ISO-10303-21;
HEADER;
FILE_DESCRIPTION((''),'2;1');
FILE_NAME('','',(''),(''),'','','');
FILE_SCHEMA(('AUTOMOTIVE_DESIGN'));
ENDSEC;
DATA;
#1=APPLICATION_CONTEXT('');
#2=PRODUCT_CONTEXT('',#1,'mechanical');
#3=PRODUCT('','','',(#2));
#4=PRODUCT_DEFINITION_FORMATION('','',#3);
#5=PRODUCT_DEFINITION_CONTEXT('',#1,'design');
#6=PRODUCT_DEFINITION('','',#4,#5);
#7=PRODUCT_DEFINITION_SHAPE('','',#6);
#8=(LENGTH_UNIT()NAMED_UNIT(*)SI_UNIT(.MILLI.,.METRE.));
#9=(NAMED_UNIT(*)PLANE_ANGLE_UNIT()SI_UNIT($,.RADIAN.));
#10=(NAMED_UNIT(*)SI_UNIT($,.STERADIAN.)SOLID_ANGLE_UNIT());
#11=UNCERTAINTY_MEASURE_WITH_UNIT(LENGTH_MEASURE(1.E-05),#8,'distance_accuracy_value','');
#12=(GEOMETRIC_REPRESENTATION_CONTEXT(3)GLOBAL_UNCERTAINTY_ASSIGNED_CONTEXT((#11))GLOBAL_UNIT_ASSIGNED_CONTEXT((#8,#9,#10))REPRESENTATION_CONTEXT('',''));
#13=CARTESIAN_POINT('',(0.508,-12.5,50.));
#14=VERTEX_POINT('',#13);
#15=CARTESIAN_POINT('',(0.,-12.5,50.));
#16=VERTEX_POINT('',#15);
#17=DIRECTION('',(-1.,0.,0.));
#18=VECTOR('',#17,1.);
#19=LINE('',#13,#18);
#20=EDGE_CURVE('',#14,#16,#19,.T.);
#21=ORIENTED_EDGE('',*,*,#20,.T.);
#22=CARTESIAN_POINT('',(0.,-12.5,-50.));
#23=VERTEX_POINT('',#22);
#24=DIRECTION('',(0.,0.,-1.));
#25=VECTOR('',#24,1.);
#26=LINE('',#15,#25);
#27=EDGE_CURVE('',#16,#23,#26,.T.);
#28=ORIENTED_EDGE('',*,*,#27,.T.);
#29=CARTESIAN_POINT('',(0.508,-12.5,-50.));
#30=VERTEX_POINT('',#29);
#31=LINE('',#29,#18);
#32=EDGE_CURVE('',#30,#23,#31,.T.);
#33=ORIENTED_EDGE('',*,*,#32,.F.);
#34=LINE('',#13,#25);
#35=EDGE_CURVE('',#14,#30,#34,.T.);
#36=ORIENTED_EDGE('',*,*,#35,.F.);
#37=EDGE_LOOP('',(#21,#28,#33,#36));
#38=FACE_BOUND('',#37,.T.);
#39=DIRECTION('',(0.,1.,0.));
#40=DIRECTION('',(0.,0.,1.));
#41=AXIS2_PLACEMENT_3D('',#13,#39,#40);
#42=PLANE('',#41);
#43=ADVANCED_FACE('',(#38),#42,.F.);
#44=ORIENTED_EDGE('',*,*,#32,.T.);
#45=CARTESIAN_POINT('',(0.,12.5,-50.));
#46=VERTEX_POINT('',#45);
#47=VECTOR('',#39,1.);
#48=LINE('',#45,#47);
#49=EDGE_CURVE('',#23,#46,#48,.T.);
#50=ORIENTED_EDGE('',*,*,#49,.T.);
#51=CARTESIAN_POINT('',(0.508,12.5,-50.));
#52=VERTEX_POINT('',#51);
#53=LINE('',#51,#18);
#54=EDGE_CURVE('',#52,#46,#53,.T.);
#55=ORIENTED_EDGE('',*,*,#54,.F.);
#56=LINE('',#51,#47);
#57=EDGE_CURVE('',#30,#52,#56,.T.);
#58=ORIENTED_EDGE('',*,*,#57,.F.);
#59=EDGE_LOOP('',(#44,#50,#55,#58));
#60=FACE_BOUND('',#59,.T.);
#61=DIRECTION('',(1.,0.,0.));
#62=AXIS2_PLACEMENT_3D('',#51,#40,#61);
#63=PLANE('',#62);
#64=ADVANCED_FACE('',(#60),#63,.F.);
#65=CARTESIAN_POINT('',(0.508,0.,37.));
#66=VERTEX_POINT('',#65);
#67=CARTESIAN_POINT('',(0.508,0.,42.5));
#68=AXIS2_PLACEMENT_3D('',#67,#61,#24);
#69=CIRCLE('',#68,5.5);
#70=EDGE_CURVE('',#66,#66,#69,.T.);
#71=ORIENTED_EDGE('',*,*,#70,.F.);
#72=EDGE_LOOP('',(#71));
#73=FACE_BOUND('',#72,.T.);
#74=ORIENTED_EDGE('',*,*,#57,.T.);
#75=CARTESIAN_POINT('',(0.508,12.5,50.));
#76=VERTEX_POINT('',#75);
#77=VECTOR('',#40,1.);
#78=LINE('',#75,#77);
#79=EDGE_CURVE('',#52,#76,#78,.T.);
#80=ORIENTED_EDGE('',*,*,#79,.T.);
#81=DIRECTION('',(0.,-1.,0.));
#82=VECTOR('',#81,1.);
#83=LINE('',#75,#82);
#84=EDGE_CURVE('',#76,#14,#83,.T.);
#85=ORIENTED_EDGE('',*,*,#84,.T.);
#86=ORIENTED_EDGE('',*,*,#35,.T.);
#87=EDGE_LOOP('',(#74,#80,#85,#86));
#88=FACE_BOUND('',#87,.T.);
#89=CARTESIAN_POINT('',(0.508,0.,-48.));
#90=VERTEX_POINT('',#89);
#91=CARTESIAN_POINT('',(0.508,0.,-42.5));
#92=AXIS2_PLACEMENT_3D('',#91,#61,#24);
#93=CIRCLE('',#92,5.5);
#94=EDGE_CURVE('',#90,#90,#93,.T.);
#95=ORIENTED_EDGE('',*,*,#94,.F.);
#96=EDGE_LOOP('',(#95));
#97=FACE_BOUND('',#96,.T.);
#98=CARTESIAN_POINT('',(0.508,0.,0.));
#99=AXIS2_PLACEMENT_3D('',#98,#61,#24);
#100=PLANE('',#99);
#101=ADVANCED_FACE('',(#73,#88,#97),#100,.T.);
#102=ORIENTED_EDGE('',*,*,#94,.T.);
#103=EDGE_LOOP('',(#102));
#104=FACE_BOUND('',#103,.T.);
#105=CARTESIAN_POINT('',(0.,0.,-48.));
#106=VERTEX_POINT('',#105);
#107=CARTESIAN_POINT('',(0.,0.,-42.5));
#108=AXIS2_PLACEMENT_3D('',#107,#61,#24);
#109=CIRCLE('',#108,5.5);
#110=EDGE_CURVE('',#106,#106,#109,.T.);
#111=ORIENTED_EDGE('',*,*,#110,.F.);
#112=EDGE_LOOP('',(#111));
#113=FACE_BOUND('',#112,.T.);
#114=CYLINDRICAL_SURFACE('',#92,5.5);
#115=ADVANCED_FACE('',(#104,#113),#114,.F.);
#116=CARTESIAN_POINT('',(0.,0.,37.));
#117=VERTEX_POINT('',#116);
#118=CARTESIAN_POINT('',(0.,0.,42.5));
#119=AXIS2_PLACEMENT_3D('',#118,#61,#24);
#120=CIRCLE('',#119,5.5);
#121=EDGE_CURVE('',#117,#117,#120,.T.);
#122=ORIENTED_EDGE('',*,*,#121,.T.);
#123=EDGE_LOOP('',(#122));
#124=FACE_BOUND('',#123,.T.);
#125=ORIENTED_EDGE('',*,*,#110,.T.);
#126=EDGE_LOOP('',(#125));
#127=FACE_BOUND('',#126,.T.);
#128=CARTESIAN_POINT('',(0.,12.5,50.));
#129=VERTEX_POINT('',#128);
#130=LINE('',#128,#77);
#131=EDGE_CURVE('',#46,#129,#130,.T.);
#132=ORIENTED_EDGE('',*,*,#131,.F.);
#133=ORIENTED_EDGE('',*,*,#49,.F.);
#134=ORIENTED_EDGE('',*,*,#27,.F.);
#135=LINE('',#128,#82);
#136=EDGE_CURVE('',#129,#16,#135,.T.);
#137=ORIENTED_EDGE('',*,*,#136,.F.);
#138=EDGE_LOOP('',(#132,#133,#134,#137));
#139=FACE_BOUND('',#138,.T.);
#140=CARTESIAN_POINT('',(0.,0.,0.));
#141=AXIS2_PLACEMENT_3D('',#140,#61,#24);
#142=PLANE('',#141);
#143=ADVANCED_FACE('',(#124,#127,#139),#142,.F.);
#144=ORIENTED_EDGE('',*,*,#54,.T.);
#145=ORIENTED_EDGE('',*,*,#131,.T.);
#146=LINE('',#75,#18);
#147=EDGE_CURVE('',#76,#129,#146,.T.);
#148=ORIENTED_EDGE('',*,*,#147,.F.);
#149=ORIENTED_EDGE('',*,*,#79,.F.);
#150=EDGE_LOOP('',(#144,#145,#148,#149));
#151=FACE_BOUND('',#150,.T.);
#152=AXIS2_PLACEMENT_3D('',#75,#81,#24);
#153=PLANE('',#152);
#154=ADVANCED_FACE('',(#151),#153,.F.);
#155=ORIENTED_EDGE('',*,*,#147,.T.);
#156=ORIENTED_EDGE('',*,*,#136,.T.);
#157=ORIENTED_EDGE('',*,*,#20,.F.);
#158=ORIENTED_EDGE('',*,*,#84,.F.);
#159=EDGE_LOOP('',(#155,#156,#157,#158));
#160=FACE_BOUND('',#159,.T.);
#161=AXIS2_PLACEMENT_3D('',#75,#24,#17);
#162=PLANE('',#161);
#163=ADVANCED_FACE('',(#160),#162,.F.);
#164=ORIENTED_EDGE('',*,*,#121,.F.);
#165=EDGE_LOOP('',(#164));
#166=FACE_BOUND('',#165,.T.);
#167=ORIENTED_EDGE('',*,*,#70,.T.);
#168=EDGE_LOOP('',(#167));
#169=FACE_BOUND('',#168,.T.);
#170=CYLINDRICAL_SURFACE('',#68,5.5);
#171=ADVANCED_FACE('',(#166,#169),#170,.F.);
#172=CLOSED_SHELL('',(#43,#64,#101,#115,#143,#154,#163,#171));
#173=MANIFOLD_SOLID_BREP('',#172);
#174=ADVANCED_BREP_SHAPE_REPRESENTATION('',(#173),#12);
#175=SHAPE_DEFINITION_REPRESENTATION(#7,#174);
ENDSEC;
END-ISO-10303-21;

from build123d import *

# Parameters (mm, degrees)
SKETCH1_W             = 100
SKETCH1_H             = 25
BOSS_EXTRUDE1_DEPTH   = 0.508
M10_CLEARANCE_HOLE1_D = 11


with BuildPart() as part:
    # Sketch1 → Boss-Extrude1 (new body)
    with BuildSketch(Plane(origin=(0, 0, 0), x_dir=(0, 0, -1), z_dir=(1, 0, 0))):
        Rectangle(SKETCH1_W, SKETCH1_H)
    extrude(amount=BOSS_EXTRUDE1_DEPTH)

    # M10 Clearance Hole1 (through all)
    with Locations(Plane(origin=(0.508, 0, 0), x_dir=(0, 0, -1), z_dir=(1, 0, 0))):
        with Locations((-42.5, 0), (42.5, 0)):
            Hole(M10_CLEARANCE_HOLE1_D / 2)


solid = part.part
